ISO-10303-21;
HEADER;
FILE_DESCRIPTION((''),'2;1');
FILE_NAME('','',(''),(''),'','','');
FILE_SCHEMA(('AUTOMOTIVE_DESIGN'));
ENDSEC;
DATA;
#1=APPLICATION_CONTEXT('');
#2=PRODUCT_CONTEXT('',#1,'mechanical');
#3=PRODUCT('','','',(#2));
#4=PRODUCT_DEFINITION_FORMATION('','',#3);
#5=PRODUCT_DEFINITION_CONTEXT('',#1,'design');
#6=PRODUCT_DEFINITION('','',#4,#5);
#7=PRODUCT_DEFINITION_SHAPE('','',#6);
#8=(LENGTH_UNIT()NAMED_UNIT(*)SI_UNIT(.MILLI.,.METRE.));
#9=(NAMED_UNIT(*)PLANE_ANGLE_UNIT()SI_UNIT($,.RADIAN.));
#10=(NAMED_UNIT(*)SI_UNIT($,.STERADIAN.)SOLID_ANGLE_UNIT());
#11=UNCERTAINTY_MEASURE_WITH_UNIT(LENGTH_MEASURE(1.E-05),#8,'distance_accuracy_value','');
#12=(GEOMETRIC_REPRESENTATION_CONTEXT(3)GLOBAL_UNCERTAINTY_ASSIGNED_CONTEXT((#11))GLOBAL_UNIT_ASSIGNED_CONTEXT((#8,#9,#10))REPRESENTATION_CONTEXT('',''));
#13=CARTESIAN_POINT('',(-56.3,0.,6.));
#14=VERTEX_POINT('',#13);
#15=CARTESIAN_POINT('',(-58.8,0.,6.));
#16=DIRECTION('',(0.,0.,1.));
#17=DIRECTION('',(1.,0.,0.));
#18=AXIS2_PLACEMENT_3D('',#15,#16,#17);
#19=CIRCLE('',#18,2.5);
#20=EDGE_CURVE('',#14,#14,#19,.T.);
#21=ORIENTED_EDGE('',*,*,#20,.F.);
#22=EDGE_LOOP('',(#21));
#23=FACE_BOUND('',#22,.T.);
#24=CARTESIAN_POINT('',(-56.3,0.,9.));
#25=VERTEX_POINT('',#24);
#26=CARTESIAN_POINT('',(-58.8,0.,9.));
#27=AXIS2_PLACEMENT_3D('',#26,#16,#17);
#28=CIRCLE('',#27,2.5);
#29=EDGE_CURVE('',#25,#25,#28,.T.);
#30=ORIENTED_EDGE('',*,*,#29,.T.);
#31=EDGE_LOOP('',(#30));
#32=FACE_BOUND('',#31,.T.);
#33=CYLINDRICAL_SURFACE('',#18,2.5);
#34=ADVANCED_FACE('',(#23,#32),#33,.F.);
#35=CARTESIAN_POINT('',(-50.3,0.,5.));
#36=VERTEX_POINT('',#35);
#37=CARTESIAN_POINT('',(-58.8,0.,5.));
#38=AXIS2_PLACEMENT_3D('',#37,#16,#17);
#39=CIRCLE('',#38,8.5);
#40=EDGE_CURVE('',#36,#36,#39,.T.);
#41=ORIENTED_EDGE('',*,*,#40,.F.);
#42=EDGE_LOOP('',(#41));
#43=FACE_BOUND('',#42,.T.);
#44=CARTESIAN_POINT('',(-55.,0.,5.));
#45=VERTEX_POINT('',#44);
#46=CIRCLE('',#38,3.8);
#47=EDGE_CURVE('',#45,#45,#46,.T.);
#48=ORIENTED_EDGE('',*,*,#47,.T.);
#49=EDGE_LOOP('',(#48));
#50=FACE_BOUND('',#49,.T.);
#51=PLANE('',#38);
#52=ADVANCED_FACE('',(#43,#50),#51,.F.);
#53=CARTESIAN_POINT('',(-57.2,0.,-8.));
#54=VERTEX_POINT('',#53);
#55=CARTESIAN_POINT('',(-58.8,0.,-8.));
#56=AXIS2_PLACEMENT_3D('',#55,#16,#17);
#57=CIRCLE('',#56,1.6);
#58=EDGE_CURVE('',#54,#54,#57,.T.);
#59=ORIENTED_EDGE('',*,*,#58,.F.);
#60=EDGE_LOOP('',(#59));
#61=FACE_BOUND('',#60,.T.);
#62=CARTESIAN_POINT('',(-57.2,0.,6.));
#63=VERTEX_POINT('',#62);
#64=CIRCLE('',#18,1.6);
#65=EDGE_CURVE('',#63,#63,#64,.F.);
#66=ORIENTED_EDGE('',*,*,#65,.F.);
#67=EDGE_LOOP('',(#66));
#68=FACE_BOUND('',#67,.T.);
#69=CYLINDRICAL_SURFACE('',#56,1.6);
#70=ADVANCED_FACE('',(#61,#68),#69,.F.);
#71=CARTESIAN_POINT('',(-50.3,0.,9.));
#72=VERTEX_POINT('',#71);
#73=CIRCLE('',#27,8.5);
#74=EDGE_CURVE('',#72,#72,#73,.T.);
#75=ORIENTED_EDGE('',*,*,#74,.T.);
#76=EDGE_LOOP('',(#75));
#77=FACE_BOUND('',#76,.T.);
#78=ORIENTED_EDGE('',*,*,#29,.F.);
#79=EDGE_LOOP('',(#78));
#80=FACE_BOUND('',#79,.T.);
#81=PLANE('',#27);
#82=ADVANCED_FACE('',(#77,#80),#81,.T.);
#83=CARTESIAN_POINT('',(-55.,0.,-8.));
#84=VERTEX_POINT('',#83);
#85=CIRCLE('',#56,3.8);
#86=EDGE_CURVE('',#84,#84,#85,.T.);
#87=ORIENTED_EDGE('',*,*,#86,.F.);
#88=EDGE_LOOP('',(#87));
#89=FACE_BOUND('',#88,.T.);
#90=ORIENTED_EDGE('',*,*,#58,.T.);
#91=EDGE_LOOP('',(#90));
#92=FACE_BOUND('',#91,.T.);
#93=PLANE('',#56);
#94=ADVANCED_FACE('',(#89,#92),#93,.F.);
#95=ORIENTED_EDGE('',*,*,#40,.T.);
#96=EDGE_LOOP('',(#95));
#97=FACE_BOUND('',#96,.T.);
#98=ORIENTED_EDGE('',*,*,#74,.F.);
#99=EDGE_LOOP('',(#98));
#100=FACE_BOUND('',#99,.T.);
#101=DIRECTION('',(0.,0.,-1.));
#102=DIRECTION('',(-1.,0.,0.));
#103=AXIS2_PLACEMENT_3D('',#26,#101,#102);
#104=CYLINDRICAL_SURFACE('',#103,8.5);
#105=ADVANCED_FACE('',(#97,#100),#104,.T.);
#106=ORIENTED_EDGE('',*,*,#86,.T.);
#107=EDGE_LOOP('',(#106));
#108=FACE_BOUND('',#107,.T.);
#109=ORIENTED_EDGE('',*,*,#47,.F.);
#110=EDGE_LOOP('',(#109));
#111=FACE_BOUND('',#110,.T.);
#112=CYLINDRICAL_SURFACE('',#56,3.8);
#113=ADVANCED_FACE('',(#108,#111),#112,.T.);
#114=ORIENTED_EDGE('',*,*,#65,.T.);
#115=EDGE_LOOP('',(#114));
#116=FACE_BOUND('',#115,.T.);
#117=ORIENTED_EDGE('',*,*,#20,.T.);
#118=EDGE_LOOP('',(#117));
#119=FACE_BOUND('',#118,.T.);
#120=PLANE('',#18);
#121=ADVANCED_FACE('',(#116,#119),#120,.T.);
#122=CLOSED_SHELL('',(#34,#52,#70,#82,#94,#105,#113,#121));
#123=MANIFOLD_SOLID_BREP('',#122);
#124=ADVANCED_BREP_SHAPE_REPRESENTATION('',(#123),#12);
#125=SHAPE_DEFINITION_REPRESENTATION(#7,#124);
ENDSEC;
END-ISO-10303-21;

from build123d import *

# Parameters (mm, degrees)
BOSS_EXTRUDE1_DEPTH      = 5
BOSS_EXTRUDE1_DEPTH_BACK = 8
SKETCH1_R                = 3.8
SKETCH1_R_2              = 1.6
SKETCH2_R                = 8.5
BOSS_EXTRUDE2_DEPTH      = 4
SKETCH4_R                = 1.6
CUT_EXTRUDE1_DEPTH       = 4
SKETCH5_R                = 2.5
CUT_EXTRUDE2_DEPTH       = 3


with BuildPart() as part:
    # Sketch1 → Boss-Extrude1 (new, two sides: drawn at the far end of the back side and taken through both)
    with BuildSketch(Plane.XY.offset(-BOSS_EXTRUDE1_DEPTH_BACK)):
        with Locations((-58.8, 0)):
            Circle(SKETCH1_R)
        with Locations((-58.8, 0)):
            Circle(SKETCH1_R_2, mode=Mode.SUBTRACT)
    extrude(amount=BOSS_EXTRUDE1_DEPTH + BOSS_EXTRUDE1_DEPTH_BACK)

    # Sketch2 → Boss-Extrude2 (add)
    with BuildSketch(Plane.XY.offset(5)):
        with Locations((-58.8, 0)):
            Circle(SKETCH2_R)
    extrude(amount=BOSS_EXTRUDE2_DEPTH)

    # Sketch4 → Cut-Extrude1 (cut)
    with BuildSketch(Plane(origin=(0, 0, 5), x_dir=(-1, 0, 0), z_dir=(0, 0, -1))):
        with Locations(Location((58.8, 0, 0), (0, 0, 180))):
            Circle(SKETCH4_R)
    extrude(amount=-CUT_EXTRUDE1_DEPTH, mode=Mode.SUBTRACT)

    # Sketch5 → Cut-Extrude2 (cut)
    with BuildSketch(Plane.XY.offset(9)):
        with Locations((-58.8, 0)):
            Circle(SKETCH5_R)
    extrude(amount=-CUT_EXTRUDE2_DEPTH, mode=Mode.SUBTRACT)


solid = part.part
